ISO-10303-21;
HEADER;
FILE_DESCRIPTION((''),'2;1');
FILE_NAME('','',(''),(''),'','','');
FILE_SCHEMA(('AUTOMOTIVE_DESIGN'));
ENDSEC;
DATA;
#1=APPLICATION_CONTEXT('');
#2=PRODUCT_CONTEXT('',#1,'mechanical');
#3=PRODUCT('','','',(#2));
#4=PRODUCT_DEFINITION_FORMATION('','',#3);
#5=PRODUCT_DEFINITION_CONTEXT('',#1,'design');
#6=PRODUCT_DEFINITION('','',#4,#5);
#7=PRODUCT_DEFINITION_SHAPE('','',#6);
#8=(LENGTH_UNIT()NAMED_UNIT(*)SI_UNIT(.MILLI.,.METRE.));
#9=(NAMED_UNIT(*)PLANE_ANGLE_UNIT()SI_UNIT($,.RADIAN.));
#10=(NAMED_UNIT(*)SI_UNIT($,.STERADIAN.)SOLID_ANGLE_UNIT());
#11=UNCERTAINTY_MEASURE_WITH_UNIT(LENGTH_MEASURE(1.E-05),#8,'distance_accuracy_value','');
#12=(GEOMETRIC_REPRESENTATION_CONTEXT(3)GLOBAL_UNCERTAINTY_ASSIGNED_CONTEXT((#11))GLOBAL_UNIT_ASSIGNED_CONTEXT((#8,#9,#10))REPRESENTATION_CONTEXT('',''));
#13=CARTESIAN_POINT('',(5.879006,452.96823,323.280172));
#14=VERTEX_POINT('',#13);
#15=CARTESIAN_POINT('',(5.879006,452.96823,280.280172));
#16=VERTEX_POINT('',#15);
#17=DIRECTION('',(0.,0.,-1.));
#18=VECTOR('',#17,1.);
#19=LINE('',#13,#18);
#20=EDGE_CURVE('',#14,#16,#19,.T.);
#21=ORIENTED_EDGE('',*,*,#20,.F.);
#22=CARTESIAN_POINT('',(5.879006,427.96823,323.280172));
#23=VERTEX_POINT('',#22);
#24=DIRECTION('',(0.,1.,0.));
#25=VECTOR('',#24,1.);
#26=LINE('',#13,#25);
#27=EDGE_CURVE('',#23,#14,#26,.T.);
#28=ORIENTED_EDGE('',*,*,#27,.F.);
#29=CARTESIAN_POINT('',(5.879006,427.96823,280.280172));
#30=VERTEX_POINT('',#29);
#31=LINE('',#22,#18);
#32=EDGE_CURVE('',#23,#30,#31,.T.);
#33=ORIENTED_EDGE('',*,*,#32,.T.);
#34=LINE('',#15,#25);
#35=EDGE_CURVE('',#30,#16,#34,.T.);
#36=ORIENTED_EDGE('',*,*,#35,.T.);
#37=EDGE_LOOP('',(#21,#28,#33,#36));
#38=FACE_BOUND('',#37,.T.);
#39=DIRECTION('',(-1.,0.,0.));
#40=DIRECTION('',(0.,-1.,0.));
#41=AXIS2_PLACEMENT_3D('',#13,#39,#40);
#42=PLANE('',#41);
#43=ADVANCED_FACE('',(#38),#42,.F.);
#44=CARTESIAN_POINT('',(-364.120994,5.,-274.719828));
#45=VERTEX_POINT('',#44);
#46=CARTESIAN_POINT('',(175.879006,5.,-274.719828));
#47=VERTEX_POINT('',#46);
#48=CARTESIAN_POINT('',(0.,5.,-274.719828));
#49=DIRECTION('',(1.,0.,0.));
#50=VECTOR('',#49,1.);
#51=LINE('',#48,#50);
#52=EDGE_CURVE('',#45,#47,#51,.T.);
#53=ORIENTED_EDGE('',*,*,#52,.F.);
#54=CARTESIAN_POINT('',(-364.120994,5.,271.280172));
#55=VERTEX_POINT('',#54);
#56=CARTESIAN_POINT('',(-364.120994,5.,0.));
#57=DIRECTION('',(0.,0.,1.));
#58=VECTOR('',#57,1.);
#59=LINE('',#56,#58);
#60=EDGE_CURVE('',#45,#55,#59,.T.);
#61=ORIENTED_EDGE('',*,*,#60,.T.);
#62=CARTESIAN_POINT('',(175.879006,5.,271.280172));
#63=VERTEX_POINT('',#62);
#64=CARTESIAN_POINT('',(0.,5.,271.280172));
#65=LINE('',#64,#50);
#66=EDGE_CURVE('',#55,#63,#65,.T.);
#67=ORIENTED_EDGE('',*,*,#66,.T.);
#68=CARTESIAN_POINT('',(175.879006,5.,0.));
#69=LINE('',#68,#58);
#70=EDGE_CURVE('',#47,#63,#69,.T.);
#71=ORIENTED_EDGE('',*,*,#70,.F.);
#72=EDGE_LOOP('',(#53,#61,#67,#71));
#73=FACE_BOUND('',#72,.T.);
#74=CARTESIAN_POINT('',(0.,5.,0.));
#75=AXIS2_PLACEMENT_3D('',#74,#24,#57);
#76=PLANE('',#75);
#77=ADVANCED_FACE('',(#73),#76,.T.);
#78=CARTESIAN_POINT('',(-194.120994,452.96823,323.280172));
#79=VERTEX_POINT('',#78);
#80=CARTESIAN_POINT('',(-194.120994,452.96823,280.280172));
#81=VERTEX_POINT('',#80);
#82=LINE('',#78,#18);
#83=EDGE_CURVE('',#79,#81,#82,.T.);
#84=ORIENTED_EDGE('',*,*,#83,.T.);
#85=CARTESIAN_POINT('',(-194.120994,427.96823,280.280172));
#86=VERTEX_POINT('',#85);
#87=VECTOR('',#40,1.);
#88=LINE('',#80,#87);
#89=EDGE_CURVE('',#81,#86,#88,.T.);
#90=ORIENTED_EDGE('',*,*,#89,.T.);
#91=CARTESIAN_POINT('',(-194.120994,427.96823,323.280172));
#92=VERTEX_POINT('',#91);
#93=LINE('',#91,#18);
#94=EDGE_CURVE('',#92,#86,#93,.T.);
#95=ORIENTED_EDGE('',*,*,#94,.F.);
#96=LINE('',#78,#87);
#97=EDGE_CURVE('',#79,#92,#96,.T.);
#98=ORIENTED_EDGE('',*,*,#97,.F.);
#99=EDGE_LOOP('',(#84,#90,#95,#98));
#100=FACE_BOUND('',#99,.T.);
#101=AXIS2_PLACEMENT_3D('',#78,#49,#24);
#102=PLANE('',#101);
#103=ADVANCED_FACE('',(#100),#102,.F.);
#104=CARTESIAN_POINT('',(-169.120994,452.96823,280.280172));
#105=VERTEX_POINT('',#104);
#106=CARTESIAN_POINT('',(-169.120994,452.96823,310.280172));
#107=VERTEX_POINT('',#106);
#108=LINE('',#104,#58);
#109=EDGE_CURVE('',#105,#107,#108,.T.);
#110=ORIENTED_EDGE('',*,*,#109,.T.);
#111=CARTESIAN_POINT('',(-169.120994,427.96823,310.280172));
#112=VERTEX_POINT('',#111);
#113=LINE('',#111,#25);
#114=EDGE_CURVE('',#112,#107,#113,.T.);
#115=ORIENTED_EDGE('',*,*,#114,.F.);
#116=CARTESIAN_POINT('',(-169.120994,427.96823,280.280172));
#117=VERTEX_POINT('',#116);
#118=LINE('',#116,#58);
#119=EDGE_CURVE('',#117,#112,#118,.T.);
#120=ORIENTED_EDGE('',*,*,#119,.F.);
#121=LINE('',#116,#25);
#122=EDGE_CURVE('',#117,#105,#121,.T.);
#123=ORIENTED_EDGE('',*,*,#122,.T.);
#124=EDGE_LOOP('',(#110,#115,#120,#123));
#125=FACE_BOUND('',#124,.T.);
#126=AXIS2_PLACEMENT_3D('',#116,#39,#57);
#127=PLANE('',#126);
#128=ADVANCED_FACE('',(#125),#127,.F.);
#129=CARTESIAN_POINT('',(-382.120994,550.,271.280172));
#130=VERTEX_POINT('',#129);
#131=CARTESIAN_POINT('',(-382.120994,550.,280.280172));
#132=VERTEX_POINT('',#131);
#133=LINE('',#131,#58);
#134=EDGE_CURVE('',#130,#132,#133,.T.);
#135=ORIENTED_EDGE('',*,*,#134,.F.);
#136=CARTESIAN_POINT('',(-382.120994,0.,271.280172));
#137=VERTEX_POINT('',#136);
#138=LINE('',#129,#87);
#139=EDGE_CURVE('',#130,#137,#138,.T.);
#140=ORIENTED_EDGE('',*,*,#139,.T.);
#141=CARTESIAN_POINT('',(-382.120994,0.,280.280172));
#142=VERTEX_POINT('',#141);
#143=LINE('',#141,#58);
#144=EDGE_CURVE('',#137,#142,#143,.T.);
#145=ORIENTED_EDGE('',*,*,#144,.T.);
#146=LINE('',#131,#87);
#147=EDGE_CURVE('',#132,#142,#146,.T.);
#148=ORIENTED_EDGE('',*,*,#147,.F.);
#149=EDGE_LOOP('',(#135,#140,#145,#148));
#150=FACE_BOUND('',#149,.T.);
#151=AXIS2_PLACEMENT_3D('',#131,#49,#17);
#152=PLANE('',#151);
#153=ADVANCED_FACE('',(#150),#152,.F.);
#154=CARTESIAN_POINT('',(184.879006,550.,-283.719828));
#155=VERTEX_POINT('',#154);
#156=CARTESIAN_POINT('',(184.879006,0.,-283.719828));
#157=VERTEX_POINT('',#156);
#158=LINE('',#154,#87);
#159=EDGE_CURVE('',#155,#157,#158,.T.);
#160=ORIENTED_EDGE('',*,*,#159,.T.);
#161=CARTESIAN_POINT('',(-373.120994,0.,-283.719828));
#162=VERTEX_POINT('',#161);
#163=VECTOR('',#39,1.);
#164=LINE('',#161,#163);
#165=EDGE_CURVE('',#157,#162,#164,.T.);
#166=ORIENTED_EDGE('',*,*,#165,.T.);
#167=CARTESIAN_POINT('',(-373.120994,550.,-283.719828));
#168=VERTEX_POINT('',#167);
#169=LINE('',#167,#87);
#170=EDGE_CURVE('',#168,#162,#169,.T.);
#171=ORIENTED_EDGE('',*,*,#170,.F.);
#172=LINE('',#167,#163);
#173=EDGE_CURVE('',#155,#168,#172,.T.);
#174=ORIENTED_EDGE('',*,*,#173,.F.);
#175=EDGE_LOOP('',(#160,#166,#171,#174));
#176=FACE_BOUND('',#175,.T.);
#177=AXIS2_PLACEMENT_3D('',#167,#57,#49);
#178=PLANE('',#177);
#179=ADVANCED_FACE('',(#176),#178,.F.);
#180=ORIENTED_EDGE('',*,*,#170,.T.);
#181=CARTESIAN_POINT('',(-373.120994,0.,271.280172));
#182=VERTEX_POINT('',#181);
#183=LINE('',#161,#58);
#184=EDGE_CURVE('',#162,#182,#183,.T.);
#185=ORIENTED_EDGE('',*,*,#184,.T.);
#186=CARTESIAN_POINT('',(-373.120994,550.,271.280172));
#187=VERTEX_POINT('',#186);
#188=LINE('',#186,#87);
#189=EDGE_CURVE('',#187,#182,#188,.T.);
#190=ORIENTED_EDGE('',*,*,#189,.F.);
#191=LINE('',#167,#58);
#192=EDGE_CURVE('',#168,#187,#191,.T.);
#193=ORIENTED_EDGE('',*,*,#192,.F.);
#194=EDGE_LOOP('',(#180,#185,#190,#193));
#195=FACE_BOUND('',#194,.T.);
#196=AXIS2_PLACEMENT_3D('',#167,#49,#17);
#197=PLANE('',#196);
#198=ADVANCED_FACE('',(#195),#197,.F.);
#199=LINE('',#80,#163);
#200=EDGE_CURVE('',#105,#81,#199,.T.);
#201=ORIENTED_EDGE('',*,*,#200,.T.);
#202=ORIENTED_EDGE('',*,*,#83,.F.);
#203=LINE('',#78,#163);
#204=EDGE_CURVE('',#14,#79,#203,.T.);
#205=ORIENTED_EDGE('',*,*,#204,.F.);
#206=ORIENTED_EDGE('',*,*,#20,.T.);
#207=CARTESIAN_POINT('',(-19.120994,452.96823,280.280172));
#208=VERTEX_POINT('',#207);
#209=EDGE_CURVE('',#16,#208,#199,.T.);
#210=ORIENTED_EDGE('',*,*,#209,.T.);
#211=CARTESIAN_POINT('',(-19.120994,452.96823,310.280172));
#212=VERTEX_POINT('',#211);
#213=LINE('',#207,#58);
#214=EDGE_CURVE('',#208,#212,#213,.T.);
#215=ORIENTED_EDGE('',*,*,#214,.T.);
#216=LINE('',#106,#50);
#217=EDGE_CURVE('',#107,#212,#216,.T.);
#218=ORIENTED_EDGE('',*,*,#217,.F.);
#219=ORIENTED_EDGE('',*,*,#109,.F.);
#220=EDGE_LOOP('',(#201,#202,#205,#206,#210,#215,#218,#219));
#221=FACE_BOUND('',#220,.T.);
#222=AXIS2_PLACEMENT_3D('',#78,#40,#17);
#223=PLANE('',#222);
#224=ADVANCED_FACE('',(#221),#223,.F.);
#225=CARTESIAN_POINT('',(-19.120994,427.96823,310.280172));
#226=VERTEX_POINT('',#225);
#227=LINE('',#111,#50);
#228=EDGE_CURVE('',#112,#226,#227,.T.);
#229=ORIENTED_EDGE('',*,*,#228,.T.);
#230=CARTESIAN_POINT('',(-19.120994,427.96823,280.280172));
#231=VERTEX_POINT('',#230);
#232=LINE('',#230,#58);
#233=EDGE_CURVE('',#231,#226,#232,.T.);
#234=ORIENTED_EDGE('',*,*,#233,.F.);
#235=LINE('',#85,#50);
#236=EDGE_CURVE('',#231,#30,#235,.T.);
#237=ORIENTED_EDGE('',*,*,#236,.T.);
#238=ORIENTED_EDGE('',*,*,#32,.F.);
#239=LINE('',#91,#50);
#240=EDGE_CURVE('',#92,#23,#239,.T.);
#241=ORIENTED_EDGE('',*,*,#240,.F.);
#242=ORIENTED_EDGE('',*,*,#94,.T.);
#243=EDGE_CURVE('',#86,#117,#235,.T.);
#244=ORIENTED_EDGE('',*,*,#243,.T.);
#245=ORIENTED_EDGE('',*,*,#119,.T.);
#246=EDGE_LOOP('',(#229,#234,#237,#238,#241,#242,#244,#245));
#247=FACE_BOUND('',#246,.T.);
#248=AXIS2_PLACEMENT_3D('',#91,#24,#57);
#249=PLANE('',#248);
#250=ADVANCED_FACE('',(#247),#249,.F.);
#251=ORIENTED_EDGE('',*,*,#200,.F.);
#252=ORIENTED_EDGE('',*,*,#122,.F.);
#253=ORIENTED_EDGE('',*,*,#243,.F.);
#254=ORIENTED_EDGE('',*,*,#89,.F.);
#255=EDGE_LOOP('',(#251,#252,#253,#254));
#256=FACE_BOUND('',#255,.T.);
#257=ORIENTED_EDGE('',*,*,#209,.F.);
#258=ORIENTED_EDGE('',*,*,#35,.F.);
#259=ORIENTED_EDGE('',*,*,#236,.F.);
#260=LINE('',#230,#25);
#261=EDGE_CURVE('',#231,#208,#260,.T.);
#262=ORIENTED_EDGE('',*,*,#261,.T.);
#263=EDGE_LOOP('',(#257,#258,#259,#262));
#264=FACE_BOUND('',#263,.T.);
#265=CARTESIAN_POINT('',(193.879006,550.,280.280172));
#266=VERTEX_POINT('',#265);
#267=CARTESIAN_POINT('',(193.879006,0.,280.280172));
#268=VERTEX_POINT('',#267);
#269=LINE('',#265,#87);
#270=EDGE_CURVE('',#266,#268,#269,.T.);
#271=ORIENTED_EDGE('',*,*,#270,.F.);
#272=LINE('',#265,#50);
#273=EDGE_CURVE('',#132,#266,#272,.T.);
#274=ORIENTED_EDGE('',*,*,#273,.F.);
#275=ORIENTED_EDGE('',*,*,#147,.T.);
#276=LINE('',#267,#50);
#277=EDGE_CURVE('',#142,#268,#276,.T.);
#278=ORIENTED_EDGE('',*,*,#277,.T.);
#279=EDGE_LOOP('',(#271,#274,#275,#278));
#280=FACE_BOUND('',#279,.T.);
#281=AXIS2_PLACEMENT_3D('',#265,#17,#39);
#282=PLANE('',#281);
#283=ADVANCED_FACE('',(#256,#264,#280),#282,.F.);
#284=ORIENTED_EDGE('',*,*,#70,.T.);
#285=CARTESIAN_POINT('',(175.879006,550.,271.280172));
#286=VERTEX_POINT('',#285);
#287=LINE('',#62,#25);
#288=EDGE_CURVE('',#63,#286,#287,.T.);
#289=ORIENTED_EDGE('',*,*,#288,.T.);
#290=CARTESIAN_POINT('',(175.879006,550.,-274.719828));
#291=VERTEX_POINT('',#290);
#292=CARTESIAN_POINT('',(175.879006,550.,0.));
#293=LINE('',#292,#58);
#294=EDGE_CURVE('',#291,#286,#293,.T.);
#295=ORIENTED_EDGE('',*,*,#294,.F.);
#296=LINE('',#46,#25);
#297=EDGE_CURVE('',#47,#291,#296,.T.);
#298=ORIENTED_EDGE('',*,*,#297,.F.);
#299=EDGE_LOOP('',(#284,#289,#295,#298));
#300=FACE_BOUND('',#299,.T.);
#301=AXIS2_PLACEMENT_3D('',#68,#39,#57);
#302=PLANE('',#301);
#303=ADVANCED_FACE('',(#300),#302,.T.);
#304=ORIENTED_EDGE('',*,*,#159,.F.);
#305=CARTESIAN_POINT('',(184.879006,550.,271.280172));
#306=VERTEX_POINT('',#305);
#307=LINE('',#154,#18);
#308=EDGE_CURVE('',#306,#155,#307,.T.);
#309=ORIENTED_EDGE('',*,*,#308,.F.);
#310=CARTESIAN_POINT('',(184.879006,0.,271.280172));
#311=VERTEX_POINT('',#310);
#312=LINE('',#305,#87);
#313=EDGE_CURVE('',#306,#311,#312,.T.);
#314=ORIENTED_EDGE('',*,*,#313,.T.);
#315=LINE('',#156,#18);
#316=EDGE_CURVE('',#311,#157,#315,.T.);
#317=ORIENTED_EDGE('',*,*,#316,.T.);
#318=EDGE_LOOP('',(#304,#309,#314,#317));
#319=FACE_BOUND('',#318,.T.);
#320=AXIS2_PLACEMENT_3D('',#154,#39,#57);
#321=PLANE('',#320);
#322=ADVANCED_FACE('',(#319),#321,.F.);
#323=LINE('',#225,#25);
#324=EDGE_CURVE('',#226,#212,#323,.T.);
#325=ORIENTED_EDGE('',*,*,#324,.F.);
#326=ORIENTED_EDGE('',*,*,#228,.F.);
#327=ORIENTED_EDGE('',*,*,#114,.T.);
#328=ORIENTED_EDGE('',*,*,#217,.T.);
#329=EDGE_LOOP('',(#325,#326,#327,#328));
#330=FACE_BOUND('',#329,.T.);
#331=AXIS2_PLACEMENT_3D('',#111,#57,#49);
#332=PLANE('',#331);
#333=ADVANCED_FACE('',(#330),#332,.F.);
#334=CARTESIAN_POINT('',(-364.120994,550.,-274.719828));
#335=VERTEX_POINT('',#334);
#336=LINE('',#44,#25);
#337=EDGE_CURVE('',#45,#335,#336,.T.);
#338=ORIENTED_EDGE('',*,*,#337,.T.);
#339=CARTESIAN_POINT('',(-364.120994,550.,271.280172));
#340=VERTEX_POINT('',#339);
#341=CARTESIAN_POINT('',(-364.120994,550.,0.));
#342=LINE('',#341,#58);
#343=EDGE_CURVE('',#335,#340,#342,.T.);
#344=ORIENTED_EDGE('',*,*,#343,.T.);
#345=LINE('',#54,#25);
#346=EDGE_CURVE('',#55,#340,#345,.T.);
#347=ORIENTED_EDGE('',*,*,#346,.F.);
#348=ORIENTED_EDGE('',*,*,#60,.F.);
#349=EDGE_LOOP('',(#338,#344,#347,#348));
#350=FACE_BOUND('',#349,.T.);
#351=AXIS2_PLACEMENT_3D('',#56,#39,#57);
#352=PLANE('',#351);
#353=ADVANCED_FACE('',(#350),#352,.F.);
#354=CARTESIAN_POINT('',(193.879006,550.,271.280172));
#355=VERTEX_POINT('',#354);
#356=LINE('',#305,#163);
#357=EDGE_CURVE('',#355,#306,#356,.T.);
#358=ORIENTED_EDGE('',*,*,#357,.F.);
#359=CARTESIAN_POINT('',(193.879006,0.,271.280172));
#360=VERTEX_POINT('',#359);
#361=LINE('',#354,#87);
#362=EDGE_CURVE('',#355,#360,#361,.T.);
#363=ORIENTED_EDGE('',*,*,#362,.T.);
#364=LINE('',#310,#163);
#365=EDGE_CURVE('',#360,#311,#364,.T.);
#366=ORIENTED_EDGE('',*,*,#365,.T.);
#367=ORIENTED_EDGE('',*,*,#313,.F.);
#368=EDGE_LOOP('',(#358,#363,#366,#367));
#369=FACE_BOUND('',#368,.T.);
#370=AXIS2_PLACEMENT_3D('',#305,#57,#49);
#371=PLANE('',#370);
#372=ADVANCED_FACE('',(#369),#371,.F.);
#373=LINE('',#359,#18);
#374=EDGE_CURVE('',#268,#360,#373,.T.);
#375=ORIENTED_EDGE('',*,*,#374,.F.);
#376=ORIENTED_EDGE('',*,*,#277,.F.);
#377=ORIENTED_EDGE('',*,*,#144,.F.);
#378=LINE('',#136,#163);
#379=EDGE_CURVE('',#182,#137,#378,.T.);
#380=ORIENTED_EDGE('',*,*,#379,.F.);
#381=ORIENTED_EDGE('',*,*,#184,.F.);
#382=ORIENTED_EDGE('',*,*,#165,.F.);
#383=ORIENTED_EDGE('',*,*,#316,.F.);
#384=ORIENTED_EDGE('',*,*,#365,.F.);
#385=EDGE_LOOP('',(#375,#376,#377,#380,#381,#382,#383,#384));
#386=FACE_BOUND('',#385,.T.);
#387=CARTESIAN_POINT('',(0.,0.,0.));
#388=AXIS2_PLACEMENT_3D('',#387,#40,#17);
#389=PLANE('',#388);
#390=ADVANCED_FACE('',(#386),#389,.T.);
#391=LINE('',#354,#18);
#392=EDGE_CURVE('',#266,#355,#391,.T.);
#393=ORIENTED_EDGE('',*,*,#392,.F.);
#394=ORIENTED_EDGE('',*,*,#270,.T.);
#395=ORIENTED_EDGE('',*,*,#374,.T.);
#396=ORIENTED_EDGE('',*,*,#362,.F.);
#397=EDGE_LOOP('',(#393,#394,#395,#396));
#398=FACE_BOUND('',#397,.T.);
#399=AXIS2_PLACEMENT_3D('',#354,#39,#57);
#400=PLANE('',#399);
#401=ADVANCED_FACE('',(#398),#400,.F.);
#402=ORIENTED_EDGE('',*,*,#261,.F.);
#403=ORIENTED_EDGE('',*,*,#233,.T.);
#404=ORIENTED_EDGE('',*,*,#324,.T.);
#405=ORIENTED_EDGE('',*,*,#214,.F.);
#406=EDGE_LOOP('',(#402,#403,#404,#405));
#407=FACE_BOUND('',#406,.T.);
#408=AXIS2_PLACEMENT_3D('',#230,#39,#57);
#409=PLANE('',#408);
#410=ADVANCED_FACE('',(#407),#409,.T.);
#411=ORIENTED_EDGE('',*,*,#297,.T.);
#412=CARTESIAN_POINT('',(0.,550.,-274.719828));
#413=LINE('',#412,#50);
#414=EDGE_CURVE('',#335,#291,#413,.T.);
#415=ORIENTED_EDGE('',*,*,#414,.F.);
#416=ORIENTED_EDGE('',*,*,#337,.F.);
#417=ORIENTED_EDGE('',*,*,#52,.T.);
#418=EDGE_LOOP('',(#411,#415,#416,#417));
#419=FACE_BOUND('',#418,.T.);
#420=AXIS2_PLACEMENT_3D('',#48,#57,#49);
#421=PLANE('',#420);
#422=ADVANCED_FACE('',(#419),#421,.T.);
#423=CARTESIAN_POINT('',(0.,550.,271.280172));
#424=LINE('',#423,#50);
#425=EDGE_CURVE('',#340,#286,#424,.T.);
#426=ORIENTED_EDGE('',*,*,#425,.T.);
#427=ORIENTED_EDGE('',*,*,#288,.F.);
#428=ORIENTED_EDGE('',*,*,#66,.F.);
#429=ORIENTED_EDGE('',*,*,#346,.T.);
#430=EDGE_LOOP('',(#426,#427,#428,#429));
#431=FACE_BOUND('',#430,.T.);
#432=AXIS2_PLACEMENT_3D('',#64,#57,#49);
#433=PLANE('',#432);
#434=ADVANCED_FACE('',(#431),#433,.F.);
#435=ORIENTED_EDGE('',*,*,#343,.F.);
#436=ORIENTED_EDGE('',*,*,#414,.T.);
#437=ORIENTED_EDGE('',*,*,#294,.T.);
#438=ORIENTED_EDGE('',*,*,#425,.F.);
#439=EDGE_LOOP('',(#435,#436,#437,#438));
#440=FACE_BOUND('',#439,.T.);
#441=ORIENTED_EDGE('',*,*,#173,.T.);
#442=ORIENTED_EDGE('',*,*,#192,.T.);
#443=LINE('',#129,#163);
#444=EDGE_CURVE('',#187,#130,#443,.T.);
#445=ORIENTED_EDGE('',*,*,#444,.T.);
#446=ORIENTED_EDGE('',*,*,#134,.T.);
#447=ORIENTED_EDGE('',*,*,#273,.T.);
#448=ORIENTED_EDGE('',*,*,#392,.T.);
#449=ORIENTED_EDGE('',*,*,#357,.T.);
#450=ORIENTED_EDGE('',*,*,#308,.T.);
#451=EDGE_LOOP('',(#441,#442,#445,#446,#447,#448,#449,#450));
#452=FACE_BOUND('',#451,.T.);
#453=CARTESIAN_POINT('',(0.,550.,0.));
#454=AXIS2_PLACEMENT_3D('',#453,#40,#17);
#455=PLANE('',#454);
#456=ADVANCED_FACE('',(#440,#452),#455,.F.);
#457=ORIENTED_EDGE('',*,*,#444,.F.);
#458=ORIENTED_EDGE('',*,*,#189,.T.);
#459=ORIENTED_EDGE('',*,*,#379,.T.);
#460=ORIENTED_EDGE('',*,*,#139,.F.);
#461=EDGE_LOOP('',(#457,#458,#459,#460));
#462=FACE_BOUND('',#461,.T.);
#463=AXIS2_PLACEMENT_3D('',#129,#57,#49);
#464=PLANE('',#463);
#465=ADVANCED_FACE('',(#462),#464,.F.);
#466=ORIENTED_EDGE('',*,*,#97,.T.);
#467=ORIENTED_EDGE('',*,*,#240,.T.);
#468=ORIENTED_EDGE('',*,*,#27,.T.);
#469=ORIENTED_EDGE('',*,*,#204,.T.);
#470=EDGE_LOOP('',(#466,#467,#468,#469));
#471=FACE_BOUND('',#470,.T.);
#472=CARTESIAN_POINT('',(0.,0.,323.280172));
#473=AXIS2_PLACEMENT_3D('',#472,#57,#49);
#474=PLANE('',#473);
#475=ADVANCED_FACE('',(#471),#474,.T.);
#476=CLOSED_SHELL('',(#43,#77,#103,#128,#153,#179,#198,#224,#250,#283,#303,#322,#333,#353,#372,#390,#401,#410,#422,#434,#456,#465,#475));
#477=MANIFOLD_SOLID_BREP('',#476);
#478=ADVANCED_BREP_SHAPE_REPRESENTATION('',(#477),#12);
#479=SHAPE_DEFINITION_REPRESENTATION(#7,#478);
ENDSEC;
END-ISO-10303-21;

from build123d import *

# Parameters (mm, degrees)
BOSS_EXTRUDE1_DEPTH = 550
SKETCH3_W           = 540
SKETCH3_H           = 546
CUT_EXTRUDE1_DEPTH  = 545
SKETCH4_W           = 200
SKETCH4_H           = 25
BOSS_EXTRUDE2_DEPTH = 43
SKETCH6_W           = 150
SKETCH6_H           = 30
CUT_EXTRUDE2_DEPTH  = 25


with BuildPart() as part:
    # Sketch1 → Boss-Extrude1 (new body)
    with BuildSketch(Plane(origin=(0, 0, 0), x_dir=(1, 0, 0), z_dir=(0, 1, 0))):
        Polygon((-382.12099403, -271.280172414), (-373.12099403, -271.280172414), (-373.12099403, 283.719827586), (184.87900597, 283.719827586), (184.87900597, -271.280172414), (193.87900597, -271.280172414), (193.87900597, -280.280172414), (-382.12099403, -280.280172414), align=None)
    extrude(amount=BOSS_EXTRUDE1_DEPTH)

    # Sketch3 → Cut-Extrude1 (cut)
    with BuildSketch(Plane(origin=(0, 550, 0), x_dir=(1, 0, 0), z_dir=(0, 1, 0))):
        with Locations((-94.12099403, 1.719827586)):
            Rectangle(SKETCH3_W, SKETCH3_H)
    extrude(amount=-CUT_EXTRUDE1_DEPTH, mode=Mode.SUBTRACT)

    # Sketch4 → Boss-Extrude2 (add)
    with BuildSketch(Plane.XY.offset(280.280172414)):
        with Locations((-94.12099403, 440.468229794)):
            Rectangle(SKETCH4_W, SKETCH4_H)
    extrude(amount=BOSS_EXTRUDE2_DEPTH)

    # Sketch6 → Cut-Extrude2 (cut)
    with BuildSketch(Plane(origin=(0, 452.968229794, 0), x_dir=(1, 0, 0), z_dir=(0, 1, 0))):
        with Locations((-94.12099403, -295.280172414)):
            Rectangle(SKETCH6_W, SKETCH6_H)
    extrude(amount=-CUT_EXTRUDE2_DEPTH, mode=Mode.SUBTRACT)


solid = part.part
